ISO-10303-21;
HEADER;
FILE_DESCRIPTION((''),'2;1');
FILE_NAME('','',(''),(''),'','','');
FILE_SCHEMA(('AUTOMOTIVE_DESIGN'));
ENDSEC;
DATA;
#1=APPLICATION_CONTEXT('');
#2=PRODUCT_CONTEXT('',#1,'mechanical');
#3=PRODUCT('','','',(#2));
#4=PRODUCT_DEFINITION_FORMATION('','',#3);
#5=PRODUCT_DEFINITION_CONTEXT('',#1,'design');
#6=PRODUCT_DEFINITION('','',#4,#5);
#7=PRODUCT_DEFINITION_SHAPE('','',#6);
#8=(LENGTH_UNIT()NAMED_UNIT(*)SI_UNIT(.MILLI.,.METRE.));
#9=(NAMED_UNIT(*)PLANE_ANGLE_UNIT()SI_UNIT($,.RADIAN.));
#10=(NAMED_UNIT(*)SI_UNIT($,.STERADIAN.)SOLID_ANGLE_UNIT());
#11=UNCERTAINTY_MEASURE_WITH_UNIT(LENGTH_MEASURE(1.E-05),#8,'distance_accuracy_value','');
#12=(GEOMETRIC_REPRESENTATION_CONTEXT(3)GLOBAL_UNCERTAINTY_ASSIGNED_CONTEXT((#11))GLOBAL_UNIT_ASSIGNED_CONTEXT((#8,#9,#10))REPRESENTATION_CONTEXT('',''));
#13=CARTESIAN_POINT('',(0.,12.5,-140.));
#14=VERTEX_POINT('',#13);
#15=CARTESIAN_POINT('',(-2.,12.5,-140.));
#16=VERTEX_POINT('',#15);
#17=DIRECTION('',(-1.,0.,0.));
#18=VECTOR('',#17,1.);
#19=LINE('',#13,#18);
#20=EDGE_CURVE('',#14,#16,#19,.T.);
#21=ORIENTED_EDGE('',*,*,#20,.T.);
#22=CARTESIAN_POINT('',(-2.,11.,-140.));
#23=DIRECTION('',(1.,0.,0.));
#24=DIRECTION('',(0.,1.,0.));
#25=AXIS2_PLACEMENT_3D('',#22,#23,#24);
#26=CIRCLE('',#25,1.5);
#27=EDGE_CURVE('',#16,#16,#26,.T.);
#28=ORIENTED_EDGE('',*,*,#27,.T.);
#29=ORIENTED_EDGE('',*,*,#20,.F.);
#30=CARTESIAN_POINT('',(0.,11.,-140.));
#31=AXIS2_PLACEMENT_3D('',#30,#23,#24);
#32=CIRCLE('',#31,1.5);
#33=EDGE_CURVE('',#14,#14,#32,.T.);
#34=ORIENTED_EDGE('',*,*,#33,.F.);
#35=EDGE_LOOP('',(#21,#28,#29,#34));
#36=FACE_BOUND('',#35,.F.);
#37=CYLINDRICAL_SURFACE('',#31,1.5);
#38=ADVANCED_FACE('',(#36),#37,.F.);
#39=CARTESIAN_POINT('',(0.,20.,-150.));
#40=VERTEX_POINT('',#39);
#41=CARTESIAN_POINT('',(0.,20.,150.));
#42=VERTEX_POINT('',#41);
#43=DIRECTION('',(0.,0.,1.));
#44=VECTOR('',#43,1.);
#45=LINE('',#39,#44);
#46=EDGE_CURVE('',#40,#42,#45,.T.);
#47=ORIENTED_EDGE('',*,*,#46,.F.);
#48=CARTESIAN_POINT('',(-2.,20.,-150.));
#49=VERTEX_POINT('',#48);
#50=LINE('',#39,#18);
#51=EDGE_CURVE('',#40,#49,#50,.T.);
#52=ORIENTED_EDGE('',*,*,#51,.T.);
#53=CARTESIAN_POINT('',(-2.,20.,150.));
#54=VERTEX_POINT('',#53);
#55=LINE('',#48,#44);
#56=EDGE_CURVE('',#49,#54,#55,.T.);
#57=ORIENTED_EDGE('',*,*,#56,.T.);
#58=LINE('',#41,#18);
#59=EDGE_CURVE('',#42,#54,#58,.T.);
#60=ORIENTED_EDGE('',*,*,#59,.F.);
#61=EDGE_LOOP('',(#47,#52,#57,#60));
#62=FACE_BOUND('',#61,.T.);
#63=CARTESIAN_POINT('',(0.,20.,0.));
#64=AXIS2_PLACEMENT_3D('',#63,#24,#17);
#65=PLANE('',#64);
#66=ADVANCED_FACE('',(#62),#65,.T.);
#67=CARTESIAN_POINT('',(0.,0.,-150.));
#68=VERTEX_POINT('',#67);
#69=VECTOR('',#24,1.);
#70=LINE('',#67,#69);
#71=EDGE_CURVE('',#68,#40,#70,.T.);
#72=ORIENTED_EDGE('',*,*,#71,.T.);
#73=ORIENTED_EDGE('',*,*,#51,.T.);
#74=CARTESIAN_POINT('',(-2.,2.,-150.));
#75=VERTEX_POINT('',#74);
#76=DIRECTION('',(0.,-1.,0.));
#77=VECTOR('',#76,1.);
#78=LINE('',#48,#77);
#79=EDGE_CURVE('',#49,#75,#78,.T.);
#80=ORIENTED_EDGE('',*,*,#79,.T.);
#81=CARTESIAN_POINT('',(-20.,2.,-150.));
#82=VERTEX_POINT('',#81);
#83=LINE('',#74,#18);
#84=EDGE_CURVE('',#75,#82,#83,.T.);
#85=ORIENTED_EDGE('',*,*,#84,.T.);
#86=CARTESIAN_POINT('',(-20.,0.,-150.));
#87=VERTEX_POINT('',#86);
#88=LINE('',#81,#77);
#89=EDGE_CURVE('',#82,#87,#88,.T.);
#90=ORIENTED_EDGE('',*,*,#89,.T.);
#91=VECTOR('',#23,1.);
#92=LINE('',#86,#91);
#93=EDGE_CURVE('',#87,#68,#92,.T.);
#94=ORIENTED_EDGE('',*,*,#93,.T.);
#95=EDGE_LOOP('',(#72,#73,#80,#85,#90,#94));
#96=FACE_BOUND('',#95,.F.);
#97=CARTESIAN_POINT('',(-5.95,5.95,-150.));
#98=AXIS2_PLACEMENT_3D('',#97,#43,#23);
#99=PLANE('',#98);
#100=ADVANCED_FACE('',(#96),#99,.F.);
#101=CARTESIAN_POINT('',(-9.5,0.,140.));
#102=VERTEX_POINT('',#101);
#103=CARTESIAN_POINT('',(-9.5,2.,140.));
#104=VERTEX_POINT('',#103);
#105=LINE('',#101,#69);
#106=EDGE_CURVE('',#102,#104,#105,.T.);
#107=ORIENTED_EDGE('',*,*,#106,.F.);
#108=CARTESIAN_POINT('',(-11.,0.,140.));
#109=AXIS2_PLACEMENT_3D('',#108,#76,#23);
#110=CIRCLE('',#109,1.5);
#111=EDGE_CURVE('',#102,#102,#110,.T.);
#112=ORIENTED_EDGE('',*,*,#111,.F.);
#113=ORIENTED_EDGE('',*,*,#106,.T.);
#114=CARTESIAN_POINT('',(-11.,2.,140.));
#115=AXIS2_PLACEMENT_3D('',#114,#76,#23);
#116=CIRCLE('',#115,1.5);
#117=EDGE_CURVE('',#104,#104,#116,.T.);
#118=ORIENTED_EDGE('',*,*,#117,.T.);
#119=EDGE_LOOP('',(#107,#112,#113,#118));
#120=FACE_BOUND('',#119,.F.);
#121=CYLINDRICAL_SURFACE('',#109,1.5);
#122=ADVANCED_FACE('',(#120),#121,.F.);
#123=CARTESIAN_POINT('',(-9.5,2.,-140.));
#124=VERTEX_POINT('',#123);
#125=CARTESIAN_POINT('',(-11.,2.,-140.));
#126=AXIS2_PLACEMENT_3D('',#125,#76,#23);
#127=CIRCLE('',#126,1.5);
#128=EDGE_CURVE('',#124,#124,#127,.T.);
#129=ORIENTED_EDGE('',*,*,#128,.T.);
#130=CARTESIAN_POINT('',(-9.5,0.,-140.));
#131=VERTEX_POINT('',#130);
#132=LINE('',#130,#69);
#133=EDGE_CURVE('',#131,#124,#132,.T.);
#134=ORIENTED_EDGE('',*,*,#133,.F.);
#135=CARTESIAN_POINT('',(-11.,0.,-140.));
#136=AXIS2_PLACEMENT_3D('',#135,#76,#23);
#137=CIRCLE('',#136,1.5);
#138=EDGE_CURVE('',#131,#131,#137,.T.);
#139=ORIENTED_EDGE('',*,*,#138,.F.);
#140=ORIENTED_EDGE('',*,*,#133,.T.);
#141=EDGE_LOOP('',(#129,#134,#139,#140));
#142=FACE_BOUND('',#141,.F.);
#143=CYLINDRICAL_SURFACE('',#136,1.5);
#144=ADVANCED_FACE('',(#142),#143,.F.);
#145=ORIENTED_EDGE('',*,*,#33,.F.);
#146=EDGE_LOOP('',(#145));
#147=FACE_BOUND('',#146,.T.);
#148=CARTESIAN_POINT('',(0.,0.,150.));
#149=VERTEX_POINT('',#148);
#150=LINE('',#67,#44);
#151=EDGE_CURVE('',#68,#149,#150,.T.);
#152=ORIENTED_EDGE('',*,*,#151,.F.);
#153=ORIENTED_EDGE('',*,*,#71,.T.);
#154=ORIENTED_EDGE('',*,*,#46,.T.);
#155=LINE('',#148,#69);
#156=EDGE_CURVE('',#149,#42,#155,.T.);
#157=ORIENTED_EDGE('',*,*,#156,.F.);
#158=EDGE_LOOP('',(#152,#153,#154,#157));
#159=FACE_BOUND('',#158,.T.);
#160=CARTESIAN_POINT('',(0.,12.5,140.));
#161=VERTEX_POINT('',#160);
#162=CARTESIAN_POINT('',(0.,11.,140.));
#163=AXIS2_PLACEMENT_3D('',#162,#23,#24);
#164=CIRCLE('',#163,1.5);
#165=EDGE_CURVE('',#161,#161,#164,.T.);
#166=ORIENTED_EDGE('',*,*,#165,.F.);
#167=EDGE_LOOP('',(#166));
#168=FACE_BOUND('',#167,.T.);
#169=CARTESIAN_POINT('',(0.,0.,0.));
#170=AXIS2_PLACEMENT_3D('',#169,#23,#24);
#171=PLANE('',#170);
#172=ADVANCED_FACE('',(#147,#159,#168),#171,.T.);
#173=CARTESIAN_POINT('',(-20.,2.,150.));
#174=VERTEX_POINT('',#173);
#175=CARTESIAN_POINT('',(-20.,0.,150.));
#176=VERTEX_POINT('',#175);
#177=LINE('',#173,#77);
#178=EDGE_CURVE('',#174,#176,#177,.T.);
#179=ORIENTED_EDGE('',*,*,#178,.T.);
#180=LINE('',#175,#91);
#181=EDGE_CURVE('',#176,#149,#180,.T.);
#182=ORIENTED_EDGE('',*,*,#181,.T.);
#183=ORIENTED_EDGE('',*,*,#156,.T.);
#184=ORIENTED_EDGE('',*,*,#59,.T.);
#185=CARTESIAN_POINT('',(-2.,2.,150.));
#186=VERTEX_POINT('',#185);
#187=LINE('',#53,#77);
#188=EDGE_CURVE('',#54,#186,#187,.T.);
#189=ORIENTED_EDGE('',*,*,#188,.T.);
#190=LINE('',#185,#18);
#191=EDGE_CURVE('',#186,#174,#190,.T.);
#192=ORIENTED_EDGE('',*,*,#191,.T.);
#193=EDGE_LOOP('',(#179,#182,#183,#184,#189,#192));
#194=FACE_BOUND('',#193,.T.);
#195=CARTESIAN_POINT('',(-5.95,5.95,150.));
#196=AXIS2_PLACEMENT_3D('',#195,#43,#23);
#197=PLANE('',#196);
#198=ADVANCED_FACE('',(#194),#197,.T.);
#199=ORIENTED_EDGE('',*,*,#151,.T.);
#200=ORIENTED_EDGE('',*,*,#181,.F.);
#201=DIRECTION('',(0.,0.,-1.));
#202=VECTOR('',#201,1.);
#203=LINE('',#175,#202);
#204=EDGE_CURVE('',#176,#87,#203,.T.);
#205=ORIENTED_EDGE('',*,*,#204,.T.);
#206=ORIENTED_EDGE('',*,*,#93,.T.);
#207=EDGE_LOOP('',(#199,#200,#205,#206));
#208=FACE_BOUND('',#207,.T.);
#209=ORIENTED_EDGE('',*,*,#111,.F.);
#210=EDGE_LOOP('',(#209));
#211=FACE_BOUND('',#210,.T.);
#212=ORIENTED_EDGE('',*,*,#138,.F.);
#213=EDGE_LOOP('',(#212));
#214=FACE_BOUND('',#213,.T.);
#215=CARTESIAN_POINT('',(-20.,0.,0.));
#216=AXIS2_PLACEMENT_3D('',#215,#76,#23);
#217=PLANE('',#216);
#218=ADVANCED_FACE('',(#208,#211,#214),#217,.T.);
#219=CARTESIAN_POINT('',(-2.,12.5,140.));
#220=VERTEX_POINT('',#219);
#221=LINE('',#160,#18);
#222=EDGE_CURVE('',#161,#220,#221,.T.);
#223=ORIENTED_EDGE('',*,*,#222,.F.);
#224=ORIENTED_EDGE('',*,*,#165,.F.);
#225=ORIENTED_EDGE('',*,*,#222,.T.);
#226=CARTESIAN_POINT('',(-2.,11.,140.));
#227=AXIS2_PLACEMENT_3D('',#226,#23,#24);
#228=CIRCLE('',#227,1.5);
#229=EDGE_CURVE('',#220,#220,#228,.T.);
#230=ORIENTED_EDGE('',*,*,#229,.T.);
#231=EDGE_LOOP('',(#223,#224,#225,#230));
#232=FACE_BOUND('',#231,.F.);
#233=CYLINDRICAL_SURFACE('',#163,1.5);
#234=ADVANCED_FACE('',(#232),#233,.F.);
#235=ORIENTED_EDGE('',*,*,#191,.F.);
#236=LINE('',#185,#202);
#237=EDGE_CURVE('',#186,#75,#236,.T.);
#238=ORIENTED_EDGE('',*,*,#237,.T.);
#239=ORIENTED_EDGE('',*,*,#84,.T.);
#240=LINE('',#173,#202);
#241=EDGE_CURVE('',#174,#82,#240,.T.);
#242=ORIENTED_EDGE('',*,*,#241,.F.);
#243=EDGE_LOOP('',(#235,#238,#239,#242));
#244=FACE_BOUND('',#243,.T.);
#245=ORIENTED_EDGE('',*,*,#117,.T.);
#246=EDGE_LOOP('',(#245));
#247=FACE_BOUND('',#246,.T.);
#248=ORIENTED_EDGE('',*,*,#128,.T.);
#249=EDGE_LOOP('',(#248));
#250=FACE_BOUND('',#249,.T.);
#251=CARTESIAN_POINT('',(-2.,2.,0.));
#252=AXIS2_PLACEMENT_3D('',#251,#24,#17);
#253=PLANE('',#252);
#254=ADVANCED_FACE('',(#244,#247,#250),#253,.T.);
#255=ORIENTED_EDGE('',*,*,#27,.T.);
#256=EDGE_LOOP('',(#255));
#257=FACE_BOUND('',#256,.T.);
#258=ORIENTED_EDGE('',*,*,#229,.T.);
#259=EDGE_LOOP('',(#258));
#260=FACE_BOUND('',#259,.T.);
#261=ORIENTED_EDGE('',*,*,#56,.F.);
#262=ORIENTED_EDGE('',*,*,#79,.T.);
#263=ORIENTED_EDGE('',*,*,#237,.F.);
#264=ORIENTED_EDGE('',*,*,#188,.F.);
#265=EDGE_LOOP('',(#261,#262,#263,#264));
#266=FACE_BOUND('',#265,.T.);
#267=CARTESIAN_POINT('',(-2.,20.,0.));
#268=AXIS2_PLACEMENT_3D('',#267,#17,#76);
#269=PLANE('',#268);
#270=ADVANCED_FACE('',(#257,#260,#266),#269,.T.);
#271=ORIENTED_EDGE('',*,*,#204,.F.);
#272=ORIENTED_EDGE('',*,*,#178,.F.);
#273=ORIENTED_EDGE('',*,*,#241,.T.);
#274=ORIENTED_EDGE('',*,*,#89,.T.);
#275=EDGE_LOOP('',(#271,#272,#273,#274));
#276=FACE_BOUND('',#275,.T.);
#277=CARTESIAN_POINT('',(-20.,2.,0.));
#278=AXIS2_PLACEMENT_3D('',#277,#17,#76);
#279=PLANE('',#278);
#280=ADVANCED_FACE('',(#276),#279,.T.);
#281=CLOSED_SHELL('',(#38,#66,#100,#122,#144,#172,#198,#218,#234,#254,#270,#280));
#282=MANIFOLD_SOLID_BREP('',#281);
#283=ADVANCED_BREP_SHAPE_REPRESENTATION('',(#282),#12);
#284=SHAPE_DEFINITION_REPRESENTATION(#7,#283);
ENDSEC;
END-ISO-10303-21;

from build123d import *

# Parameters (mm, degrees)
F1_DEPTH = 150
F2_R     = 1.5
F3_DEPTH = 20.001
F4_R     = 1.5
F5_DEPTH = 20.001


with BuildPart() as f1:
    # F0 (on Top) → F1 (new body, symmetric)
    with BuildSketch(Plane.XY):
        Polygon((-20, 0), (0, 0), (0, 20), (-2, 20), (-2, 2), (-20, 2), align=None)
    extrude(amount=F1_DEPTH, both=True)

    # F2 (on face) → F3 (cut, through all)
    with BuildSketch(Plane.YZ):
        with Locations((11, 140)):
            Circle(F2_R)
        with Locations((11, -140)):
            Circle(F2_R)
    extrude(amount=-F3_DEPTH, mode=Mode.SUBTRACT)

    # F4 (on face) → F5 (cut, through all)
    with BuildSketch(Plane.XZ):
        with Locations((-11, 140)):
            Circle(F4_R)
        with Locations((-11, -140)):
            Circle(F4_R)
    extrude(amount=-F5_DEPTH, mode=Mode.SUBTRACT)


solid = f1.part
